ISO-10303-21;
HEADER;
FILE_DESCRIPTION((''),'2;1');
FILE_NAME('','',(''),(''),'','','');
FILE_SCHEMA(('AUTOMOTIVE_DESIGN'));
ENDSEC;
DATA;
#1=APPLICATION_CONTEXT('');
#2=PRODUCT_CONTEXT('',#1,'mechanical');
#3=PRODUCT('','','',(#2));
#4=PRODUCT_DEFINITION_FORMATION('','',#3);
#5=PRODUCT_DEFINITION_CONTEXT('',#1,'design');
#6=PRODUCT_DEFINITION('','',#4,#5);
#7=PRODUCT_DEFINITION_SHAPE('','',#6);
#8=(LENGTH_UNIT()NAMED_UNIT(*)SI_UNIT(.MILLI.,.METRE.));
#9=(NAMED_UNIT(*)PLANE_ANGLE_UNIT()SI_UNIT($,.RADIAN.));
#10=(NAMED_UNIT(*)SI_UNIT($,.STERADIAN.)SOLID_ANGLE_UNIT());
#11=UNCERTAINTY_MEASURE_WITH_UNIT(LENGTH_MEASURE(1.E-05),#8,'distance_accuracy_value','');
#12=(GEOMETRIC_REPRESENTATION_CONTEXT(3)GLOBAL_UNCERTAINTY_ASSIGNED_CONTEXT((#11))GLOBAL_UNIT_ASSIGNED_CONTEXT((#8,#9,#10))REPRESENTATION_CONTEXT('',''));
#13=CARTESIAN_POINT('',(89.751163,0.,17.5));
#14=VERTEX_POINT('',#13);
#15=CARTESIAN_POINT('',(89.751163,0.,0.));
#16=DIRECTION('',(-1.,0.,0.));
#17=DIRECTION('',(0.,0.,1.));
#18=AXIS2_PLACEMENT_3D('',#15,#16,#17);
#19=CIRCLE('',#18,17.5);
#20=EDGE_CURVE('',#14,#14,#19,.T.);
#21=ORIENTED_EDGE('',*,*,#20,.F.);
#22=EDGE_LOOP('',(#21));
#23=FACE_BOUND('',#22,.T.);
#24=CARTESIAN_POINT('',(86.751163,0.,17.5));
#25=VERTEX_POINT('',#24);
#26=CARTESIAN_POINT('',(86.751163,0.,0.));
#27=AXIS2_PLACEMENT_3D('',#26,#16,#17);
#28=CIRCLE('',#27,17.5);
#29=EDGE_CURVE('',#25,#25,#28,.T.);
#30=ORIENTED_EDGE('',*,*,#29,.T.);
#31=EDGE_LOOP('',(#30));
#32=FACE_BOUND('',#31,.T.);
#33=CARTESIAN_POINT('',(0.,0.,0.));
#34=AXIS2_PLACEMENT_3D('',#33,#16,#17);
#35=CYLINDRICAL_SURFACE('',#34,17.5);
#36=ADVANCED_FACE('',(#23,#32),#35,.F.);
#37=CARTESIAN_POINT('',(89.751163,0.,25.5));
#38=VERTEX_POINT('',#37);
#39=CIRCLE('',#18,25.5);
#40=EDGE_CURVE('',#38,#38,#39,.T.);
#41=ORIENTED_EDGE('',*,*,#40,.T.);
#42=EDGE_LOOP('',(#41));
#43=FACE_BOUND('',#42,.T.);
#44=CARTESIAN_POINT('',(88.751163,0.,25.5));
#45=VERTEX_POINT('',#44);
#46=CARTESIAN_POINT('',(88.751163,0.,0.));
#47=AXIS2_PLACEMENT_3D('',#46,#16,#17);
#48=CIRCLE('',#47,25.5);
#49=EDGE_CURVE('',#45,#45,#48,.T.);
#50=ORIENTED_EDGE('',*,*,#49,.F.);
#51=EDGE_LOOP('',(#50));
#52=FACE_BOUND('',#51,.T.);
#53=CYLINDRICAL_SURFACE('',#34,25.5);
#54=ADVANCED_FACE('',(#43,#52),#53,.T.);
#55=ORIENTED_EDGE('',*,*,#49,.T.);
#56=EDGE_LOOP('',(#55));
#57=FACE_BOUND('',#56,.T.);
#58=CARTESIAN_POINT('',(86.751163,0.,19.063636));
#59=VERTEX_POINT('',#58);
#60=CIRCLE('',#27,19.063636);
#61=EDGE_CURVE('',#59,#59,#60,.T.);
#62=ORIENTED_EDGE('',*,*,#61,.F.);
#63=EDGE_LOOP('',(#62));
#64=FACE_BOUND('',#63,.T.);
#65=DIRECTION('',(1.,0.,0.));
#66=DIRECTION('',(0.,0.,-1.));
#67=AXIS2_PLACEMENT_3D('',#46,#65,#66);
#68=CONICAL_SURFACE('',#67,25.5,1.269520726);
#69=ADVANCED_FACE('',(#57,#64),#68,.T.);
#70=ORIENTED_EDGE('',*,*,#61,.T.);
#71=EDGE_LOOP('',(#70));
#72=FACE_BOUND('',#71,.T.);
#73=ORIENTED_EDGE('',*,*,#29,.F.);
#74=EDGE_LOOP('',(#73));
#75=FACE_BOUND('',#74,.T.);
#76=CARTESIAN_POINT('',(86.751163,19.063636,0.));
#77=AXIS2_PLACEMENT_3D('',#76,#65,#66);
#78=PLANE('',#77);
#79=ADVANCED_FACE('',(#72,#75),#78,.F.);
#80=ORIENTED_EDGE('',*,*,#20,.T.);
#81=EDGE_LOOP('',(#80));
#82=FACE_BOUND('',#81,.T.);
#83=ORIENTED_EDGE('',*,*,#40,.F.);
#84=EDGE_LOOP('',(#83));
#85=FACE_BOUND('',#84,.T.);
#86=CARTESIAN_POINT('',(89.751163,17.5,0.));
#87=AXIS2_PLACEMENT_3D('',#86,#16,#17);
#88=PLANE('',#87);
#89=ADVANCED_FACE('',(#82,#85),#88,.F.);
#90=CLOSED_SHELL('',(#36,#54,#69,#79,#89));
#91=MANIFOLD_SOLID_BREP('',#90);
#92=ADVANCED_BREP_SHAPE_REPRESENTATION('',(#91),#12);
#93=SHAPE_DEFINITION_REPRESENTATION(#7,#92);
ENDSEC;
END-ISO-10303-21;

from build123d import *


with BuildPart() as part:
    # Szkic1 → Obrót1 (revolve)
    with BuildSketch(Plane.XY):
        Polygon((86.751162791, 19.063636364), (86.751162791, 17.5), (89.751162791, 17.5), (89.751162791, 25.5), (88.751162791, 25.5), align=None)
    revolve(axis=Axis((0, 0, 0), (1, 0, 0)))


solid = part.part
